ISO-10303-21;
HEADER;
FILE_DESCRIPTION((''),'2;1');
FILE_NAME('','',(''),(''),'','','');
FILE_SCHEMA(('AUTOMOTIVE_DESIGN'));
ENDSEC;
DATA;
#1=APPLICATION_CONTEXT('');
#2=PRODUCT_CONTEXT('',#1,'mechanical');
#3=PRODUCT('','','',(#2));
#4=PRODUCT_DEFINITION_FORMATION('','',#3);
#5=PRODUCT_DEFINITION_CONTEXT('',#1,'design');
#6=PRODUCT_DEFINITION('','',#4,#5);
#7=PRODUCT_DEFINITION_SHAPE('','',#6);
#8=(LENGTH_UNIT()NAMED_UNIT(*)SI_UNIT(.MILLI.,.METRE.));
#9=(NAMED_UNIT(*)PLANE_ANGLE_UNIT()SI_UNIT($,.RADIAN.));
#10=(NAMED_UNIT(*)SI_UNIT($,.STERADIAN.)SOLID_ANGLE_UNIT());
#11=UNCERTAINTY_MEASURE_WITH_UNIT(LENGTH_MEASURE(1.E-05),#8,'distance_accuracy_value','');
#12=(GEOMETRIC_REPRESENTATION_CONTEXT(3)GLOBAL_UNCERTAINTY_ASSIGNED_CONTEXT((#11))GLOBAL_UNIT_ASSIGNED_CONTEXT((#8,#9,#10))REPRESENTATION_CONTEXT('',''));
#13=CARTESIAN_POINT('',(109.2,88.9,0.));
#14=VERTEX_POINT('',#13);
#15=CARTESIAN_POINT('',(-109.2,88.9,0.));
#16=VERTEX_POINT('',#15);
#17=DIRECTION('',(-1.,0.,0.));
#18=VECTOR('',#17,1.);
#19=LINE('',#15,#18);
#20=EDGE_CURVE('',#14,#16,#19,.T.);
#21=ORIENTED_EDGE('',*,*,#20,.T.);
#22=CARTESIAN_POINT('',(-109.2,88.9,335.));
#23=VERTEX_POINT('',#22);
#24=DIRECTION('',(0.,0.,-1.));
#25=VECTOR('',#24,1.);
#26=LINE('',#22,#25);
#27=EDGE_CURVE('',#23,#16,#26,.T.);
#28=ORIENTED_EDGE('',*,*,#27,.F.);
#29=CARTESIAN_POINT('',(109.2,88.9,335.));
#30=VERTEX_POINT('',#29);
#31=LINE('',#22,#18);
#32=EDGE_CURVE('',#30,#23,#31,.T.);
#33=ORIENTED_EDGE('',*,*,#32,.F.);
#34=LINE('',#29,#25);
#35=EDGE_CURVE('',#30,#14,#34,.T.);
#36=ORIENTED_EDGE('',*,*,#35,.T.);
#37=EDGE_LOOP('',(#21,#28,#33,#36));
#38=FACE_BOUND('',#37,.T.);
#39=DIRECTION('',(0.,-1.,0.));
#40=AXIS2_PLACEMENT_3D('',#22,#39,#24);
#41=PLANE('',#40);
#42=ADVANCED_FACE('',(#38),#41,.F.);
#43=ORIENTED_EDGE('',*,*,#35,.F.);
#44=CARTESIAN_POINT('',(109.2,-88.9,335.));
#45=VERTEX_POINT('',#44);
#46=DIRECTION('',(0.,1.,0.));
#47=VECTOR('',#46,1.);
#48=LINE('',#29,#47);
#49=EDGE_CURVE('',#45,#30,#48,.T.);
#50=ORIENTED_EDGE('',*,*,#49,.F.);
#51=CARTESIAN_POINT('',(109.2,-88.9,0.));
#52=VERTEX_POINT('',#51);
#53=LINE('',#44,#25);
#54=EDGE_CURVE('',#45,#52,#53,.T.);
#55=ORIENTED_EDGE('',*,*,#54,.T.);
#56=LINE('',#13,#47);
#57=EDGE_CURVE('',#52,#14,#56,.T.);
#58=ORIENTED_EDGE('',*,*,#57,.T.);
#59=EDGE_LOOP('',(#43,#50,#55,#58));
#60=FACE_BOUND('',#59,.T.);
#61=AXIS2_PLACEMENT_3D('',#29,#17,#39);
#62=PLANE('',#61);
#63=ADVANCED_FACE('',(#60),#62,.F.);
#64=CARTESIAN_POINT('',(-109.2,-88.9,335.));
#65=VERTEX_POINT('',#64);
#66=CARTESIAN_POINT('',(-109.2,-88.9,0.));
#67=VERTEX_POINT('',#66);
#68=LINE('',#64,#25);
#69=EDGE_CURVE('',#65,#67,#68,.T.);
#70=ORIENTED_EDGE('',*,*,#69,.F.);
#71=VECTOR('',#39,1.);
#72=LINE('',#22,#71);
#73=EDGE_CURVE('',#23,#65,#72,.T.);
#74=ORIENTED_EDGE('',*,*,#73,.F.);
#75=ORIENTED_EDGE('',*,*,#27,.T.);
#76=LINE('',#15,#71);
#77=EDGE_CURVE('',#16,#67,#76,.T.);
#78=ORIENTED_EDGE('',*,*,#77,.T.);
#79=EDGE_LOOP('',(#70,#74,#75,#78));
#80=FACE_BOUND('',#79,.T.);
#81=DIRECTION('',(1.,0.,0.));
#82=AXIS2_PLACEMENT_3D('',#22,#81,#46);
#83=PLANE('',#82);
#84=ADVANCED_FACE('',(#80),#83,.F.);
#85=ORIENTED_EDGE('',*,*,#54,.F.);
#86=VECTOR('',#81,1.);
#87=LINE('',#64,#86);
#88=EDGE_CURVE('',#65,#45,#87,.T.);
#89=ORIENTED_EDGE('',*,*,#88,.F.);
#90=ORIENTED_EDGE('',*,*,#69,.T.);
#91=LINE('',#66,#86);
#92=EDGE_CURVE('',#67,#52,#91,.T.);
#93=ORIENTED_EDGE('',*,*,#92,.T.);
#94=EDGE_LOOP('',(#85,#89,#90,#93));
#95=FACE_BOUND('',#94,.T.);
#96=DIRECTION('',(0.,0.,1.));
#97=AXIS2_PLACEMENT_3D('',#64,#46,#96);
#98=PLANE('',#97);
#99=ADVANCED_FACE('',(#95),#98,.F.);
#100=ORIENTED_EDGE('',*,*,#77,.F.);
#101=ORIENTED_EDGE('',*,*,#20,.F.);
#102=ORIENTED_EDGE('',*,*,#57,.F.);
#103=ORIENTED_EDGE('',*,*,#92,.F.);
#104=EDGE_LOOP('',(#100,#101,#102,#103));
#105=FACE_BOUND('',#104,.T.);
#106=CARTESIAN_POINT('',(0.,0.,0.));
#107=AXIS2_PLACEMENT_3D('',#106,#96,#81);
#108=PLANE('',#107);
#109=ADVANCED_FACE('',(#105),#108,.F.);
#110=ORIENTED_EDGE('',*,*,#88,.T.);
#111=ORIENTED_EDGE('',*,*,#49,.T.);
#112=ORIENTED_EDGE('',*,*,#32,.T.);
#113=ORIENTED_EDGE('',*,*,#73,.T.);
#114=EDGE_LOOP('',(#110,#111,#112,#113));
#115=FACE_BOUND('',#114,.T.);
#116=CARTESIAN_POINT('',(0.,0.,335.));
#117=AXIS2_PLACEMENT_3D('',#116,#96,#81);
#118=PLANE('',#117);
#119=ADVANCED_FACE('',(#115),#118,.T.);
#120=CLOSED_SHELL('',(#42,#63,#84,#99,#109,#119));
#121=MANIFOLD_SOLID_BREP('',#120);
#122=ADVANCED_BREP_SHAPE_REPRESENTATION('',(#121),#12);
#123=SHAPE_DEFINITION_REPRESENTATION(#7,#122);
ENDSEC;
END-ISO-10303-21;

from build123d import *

# Parameters (mm, degrees)
SKETCH1_W           = 218.4
SKETCH1_H           = 177.8
BOSS_EXTRUDE1_DEPTH = 335


with BuildPart() as part:
    # Sketch1 → Boss-Extrude1 (new body)
    with BuildSketch(Plane.XY):
        Rectangle(SKETCH1_W, SKETCH1_H)
    extrude(amount=BOSS_EXTRUDE1_DEPTH)


solid = part.part
